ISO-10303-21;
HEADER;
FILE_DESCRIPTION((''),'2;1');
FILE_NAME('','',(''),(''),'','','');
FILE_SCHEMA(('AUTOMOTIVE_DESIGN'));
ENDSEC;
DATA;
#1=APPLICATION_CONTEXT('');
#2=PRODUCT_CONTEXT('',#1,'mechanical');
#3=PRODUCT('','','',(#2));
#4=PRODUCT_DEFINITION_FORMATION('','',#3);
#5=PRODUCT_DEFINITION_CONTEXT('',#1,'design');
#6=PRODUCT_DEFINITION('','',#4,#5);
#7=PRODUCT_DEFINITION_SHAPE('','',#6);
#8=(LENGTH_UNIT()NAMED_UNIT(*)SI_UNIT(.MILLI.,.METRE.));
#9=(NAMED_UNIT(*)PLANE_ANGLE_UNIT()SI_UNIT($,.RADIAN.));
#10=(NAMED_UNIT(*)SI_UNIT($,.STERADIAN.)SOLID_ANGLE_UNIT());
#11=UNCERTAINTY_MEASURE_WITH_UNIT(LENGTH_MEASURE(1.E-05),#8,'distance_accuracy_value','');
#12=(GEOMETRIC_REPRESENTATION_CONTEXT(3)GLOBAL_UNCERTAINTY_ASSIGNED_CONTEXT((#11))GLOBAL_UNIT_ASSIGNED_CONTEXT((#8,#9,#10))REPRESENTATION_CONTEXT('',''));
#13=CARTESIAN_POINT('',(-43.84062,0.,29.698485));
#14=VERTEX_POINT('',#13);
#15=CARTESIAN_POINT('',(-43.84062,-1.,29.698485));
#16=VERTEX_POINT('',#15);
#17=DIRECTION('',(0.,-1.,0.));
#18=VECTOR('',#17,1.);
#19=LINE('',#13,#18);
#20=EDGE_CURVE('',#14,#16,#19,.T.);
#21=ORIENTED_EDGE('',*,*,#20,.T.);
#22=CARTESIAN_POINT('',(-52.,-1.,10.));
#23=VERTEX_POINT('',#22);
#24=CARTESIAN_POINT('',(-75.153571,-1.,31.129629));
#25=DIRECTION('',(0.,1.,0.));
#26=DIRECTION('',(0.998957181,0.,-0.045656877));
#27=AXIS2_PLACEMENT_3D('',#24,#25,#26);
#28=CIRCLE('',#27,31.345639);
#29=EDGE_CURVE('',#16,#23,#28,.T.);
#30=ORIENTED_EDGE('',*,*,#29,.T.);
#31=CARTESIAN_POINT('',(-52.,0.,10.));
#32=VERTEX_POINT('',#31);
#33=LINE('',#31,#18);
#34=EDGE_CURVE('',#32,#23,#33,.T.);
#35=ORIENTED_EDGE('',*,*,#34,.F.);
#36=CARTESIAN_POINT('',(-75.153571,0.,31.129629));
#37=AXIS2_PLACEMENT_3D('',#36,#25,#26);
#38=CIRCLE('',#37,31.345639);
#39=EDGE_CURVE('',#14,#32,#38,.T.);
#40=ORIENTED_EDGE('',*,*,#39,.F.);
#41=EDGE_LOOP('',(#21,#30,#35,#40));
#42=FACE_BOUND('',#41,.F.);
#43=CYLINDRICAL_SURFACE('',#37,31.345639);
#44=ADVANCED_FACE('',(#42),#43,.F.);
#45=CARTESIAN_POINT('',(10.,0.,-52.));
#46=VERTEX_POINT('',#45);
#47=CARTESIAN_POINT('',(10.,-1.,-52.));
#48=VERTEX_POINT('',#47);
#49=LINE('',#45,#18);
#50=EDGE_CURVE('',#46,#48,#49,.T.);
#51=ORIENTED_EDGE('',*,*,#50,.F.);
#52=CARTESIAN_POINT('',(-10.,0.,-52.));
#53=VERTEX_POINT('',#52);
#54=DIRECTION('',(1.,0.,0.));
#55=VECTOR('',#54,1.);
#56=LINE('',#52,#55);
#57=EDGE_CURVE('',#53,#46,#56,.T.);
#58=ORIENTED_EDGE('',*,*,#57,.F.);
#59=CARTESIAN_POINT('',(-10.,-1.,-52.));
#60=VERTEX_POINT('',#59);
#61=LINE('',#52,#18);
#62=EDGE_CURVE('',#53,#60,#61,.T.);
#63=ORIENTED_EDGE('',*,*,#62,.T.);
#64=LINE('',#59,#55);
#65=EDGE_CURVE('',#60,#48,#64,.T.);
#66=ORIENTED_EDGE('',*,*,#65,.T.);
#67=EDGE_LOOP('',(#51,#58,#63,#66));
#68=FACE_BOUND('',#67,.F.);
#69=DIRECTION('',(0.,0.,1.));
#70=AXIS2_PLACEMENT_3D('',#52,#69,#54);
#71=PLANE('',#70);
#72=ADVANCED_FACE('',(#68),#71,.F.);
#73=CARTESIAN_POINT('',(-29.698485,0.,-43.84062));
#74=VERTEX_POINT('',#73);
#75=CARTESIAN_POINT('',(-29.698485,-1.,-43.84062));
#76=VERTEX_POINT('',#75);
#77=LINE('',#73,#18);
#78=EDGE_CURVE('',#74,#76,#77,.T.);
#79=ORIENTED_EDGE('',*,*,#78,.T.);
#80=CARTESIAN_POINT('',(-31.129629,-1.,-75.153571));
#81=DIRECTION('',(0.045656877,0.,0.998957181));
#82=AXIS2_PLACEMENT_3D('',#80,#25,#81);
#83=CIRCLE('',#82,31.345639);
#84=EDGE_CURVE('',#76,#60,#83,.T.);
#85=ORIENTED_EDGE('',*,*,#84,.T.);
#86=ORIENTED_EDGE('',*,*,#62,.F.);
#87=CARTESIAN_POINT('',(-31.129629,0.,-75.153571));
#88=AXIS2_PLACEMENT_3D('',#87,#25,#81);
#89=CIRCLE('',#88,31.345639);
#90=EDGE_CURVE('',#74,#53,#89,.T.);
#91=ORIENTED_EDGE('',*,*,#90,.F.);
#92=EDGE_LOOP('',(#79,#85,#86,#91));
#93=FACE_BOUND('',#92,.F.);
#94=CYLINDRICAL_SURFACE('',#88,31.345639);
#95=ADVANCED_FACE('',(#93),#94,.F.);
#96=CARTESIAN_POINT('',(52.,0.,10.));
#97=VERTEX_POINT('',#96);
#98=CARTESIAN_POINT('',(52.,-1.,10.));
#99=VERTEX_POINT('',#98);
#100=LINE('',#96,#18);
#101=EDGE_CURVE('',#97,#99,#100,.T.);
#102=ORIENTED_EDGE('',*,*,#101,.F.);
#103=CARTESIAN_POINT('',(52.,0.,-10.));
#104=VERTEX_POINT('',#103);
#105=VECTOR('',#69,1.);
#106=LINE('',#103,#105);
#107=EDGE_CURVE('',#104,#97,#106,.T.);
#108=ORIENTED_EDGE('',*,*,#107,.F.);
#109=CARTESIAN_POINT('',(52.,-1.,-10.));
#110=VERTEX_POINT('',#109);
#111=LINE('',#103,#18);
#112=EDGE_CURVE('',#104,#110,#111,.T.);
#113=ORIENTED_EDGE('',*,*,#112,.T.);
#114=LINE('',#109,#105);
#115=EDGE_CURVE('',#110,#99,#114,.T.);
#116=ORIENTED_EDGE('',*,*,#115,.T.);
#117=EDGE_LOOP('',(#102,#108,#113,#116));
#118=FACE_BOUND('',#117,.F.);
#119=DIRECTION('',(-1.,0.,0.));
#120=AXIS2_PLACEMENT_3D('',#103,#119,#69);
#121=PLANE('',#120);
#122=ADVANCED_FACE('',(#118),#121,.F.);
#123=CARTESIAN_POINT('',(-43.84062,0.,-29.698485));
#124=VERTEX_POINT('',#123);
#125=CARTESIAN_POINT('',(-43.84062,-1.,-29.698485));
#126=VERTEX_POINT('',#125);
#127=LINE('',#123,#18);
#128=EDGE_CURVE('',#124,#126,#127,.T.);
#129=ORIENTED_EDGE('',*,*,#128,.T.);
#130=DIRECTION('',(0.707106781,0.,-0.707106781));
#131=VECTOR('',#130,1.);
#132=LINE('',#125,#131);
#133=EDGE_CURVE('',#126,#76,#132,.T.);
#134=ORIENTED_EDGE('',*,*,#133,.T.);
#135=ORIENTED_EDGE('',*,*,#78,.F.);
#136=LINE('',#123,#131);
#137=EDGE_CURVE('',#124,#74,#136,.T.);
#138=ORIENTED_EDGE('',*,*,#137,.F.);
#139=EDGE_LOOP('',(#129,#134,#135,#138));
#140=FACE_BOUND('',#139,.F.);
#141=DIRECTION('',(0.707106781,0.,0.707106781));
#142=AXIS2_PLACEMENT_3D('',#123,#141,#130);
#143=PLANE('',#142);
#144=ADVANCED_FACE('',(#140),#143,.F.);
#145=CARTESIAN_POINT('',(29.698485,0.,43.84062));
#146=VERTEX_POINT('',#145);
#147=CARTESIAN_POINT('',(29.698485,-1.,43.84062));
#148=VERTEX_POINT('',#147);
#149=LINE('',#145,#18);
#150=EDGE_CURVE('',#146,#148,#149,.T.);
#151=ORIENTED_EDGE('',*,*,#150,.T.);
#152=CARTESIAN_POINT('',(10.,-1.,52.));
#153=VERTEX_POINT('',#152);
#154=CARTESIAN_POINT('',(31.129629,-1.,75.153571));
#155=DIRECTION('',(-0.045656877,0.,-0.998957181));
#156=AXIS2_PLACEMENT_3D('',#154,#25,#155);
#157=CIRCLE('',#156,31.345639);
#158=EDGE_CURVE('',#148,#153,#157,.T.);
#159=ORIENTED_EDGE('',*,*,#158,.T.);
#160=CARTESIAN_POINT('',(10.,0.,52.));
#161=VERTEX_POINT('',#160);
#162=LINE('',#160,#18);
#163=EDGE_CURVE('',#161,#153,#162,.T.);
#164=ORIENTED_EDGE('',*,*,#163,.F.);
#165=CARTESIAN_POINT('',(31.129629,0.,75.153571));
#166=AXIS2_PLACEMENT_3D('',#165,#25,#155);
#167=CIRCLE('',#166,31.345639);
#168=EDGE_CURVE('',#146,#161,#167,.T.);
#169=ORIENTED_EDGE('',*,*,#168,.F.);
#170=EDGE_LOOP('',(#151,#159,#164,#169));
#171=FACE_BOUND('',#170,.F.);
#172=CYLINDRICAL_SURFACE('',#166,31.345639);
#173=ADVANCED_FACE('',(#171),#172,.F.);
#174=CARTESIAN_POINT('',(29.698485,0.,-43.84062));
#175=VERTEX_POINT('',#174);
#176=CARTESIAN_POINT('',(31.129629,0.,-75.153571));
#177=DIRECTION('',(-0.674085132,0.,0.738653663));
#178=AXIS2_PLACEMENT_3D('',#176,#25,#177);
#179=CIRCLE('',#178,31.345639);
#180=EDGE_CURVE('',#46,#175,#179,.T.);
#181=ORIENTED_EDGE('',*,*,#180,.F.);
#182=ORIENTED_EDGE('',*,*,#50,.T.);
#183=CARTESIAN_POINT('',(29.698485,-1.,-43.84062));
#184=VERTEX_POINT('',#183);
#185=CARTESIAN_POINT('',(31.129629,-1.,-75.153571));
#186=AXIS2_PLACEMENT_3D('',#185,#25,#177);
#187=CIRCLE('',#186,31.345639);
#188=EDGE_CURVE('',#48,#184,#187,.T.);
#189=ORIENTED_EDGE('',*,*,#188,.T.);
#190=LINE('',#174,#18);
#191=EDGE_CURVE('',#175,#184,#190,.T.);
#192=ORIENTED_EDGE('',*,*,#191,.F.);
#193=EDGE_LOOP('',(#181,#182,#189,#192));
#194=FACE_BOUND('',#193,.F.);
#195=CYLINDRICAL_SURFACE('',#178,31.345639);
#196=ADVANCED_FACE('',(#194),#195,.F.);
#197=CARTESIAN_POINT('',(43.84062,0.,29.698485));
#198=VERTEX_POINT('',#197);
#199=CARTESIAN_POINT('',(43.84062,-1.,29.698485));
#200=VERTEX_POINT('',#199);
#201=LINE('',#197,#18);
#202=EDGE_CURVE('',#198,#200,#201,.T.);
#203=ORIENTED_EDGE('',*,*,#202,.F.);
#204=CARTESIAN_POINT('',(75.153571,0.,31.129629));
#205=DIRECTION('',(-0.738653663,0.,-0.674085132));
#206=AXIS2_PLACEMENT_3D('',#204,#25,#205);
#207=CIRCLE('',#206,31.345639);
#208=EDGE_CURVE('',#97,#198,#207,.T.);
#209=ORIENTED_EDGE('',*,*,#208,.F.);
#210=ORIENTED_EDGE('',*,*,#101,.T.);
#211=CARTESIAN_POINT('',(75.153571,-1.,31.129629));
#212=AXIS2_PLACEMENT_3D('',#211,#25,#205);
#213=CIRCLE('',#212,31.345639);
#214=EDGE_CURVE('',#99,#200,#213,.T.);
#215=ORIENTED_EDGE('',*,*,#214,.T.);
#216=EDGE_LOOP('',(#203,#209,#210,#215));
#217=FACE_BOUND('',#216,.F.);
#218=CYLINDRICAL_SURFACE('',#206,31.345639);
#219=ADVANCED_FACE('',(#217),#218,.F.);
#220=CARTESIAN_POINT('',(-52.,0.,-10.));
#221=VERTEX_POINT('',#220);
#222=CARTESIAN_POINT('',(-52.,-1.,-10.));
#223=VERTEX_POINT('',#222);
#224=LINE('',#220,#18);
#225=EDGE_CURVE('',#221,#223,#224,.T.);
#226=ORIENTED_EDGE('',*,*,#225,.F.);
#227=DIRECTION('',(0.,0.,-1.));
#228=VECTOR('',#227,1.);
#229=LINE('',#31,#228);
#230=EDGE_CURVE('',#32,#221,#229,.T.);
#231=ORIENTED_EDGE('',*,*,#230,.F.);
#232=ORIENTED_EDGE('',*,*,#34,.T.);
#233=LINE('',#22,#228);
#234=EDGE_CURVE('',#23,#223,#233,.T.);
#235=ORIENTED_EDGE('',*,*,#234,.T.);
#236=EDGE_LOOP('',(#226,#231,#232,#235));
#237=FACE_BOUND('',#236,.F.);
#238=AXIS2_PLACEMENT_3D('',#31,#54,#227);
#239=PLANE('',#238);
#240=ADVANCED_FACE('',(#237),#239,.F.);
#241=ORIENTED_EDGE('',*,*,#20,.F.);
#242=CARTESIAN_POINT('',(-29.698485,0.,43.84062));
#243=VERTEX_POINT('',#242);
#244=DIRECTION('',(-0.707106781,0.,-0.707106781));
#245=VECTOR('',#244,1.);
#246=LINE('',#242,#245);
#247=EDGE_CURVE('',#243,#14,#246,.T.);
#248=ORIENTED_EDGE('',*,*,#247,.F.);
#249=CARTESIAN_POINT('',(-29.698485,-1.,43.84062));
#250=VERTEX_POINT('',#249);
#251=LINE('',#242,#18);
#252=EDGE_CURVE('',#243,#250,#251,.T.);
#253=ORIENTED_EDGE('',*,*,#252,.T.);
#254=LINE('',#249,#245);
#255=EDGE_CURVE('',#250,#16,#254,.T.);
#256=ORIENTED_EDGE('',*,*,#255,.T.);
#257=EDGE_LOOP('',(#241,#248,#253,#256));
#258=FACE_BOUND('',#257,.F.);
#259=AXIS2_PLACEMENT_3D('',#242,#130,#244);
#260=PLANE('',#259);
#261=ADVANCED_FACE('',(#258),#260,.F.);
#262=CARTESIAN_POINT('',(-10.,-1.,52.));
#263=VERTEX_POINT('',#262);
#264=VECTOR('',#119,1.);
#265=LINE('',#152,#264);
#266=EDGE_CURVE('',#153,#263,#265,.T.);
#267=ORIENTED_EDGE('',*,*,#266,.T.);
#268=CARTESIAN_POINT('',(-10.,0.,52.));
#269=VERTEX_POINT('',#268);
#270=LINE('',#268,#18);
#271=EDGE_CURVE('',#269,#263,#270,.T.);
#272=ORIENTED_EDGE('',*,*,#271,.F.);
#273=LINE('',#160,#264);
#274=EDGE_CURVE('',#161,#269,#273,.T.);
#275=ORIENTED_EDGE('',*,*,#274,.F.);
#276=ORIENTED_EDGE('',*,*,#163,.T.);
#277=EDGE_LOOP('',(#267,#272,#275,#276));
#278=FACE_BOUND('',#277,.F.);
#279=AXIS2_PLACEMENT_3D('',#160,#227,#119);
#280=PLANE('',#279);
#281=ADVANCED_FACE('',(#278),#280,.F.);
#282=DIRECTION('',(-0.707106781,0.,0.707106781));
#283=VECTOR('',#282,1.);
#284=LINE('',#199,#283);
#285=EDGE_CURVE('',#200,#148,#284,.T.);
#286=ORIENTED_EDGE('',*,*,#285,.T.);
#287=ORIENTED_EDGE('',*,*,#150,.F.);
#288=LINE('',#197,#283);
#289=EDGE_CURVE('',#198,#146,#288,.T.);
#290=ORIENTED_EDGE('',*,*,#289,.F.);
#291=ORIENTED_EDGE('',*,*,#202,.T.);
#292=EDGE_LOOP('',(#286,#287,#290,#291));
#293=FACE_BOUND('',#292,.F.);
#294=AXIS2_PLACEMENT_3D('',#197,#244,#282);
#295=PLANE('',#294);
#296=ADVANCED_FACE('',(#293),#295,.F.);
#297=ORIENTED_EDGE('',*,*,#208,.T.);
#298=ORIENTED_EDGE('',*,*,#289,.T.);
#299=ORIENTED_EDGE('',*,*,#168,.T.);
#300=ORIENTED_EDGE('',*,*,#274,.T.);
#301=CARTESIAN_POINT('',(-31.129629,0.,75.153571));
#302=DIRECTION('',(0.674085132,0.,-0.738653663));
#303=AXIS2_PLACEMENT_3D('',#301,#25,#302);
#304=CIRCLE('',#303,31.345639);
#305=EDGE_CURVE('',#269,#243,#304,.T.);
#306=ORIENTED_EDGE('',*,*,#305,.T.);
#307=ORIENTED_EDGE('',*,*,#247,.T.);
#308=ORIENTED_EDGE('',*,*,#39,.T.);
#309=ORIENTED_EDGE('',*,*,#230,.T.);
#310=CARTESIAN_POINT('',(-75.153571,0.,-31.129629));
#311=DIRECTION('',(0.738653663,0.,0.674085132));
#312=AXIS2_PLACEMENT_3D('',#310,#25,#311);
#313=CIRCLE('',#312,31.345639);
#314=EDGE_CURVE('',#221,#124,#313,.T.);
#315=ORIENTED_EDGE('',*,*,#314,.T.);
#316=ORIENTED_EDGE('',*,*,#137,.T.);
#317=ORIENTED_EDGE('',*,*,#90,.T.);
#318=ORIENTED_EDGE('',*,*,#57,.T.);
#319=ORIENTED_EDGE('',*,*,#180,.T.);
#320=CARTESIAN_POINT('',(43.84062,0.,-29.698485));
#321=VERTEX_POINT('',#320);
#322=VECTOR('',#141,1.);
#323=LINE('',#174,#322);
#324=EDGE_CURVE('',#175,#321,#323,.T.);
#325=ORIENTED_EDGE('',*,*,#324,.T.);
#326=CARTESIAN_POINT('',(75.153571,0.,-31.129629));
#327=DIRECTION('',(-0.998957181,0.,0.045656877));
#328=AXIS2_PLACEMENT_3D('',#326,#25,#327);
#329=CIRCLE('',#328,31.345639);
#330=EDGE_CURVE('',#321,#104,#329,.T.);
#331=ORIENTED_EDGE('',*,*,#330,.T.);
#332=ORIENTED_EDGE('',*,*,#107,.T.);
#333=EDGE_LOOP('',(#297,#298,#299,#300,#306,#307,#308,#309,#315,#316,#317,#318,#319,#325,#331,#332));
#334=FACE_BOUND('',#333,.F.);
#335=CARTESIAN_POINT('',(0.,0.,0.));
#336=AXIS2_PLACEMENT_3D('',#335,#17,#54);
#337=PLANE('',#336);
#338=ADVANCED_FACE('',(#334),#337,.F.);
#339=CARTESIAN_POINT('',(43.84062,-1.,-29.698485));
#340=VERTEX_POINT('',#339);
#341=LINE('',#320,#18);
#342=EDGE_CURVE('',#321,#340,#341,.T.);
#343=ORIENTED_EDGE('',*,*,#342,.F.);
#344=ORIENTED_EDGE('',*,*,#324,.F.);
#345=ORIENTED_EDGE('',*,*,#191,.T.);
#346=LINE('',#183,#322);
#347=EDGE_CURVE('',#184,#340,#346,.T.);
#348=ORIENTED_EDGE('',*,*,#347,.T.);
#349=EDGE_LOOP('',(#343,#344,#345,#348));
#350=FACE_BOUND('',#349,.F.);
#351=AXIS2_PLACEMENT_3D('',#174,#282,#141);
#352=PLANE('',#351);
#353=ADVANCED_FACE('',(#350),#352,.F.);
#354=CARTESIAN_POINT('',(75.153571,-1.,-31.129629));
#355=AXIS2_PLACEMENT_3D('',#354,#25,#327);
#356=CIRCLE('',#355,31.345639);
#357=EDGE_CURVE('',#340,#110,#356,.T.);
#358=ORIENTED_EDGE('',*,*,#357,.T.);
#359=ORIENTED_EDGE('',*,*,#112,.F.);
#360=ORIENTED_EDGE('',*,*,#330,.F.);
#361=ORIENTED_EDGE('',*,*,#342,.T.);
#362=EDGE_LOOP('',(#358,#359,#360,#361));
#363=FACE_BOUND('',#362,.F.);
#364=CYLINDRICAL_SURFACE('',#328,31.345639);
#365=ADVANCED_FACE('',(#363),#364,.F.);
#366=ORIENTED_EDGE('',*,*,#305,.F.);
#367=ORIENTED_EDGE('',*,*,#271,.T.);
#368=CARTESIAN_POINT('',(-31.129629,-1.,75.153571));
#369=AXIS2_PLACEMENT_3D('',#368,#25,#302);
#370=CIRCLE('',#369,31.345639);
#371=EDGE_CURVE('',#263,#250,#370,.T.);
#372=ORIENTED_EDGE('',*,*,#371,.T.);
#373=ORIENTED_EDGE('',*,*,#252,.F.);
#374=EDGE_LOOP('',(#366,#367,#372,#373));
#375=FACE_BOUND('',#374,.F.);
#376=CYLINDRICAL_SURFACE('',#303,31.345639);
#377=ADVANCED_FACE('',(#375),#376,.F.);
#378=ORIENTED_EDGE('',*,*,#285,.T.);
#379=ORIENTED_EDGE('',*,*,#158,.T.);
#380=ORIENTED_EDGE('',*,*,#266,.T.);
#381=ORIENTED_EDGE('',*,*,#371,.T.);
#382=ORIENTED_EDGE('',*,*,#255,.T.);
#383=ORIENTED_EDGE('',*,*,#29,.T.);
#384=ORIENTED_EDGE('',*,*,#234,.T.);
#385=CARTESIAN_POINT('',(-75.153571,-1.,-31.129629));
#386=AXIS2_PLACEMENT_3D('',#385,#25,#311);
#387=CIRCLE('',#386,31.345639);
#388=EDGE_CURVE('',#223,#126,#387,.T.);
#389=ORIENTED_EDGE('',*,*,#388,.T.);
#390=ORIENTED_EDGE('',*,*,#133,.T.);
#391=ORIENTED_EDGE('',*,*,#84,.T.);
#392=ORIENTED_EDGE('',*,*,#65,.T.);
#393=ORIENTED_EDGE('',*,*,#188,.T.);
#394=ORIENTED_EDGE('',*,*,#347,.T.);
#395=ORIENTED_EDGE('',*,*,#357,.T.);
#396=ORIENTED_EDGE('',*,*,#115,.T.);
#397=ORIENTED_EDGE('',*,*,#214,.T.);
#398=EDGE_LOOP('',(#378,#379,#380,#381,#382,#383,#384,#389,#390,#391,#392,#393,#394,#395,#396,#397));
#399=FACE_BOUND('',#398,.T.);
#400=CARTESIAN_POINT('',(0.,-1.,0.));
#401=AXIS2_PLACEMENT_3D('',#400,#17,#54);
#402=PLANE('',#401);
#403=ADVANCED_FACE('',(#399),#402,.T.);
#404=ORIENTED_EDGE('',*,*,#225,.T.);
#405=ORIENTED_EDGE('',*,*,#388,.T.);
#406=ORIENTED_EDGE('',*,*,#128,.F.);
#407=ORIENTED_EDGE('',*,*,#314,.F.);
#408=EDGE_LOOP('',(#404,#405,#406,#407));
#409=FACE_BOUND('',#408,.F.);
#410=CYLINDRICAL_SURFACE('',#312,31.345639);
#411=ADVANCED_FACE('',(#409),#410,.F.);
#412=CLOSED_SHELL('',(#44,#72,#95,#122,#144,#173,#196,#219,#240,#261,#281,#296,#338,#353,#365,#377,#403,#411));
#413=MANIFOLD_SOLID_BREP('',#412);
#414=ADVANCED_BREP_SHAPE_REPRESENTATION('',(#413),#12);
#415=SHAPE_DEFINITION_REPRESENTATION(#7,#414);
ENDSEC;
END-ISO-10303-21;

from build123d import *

# Parameters (mm, degrees)
F1_DEPTH = 1


with BuildPart() as f1:
    # F0 (on Front) → F1 (new body)
    with BuildSketch(Plane.XZ):
        with BuildLine():
            Line((10, 52), (-10, 52))
            ThreePointArc((-10, 52), (-19.134172, 46.193977), (-29.698485, 43.84062))
            Line((-29.698485, 43.84062), (-43.84062, 29.698485))
            ThreePointArc((-43.84062, 29.698485), (-46.193977, 19.134172), (-52, 10))
            Line((-52, 10), (-52, -10))
            ThreePointArc((-52, -10), (-46.193977, -19.134172), (-43.84062, -29.698485))
            Line((-43.84062, -29.698485), (-29.698485, -43.84062))
            ThreePointArc((-29.698485, -43.84062), (-19.134172, -46.193977), (-10, -52))
            Line((-10, -52), (10, -52))
            ThreePointArc((10, -52), (19.134172, -46.193977), (29.698485, -43.84062))
            Line((29.698485, -43.84062), (43.84062, -29.698485))
            ThreePointArc((43.84062, -29.698485), (46.193977, -19.134172), (52, -10))
            Line((52, -10), (52, 10))
            ThreePointArc((52, 10), (46.193977, 19.134172), (43.84062, 29.698485))
            Line((43.84062, 29.698485), (29.698485, 43.84062))
            ThreePointArc((29.698485, 43.84062), (19.134172, 46.193977), (10, 52))
        make_face()
    extrude(amount=F1_DEPTH)


solid = f1.part
